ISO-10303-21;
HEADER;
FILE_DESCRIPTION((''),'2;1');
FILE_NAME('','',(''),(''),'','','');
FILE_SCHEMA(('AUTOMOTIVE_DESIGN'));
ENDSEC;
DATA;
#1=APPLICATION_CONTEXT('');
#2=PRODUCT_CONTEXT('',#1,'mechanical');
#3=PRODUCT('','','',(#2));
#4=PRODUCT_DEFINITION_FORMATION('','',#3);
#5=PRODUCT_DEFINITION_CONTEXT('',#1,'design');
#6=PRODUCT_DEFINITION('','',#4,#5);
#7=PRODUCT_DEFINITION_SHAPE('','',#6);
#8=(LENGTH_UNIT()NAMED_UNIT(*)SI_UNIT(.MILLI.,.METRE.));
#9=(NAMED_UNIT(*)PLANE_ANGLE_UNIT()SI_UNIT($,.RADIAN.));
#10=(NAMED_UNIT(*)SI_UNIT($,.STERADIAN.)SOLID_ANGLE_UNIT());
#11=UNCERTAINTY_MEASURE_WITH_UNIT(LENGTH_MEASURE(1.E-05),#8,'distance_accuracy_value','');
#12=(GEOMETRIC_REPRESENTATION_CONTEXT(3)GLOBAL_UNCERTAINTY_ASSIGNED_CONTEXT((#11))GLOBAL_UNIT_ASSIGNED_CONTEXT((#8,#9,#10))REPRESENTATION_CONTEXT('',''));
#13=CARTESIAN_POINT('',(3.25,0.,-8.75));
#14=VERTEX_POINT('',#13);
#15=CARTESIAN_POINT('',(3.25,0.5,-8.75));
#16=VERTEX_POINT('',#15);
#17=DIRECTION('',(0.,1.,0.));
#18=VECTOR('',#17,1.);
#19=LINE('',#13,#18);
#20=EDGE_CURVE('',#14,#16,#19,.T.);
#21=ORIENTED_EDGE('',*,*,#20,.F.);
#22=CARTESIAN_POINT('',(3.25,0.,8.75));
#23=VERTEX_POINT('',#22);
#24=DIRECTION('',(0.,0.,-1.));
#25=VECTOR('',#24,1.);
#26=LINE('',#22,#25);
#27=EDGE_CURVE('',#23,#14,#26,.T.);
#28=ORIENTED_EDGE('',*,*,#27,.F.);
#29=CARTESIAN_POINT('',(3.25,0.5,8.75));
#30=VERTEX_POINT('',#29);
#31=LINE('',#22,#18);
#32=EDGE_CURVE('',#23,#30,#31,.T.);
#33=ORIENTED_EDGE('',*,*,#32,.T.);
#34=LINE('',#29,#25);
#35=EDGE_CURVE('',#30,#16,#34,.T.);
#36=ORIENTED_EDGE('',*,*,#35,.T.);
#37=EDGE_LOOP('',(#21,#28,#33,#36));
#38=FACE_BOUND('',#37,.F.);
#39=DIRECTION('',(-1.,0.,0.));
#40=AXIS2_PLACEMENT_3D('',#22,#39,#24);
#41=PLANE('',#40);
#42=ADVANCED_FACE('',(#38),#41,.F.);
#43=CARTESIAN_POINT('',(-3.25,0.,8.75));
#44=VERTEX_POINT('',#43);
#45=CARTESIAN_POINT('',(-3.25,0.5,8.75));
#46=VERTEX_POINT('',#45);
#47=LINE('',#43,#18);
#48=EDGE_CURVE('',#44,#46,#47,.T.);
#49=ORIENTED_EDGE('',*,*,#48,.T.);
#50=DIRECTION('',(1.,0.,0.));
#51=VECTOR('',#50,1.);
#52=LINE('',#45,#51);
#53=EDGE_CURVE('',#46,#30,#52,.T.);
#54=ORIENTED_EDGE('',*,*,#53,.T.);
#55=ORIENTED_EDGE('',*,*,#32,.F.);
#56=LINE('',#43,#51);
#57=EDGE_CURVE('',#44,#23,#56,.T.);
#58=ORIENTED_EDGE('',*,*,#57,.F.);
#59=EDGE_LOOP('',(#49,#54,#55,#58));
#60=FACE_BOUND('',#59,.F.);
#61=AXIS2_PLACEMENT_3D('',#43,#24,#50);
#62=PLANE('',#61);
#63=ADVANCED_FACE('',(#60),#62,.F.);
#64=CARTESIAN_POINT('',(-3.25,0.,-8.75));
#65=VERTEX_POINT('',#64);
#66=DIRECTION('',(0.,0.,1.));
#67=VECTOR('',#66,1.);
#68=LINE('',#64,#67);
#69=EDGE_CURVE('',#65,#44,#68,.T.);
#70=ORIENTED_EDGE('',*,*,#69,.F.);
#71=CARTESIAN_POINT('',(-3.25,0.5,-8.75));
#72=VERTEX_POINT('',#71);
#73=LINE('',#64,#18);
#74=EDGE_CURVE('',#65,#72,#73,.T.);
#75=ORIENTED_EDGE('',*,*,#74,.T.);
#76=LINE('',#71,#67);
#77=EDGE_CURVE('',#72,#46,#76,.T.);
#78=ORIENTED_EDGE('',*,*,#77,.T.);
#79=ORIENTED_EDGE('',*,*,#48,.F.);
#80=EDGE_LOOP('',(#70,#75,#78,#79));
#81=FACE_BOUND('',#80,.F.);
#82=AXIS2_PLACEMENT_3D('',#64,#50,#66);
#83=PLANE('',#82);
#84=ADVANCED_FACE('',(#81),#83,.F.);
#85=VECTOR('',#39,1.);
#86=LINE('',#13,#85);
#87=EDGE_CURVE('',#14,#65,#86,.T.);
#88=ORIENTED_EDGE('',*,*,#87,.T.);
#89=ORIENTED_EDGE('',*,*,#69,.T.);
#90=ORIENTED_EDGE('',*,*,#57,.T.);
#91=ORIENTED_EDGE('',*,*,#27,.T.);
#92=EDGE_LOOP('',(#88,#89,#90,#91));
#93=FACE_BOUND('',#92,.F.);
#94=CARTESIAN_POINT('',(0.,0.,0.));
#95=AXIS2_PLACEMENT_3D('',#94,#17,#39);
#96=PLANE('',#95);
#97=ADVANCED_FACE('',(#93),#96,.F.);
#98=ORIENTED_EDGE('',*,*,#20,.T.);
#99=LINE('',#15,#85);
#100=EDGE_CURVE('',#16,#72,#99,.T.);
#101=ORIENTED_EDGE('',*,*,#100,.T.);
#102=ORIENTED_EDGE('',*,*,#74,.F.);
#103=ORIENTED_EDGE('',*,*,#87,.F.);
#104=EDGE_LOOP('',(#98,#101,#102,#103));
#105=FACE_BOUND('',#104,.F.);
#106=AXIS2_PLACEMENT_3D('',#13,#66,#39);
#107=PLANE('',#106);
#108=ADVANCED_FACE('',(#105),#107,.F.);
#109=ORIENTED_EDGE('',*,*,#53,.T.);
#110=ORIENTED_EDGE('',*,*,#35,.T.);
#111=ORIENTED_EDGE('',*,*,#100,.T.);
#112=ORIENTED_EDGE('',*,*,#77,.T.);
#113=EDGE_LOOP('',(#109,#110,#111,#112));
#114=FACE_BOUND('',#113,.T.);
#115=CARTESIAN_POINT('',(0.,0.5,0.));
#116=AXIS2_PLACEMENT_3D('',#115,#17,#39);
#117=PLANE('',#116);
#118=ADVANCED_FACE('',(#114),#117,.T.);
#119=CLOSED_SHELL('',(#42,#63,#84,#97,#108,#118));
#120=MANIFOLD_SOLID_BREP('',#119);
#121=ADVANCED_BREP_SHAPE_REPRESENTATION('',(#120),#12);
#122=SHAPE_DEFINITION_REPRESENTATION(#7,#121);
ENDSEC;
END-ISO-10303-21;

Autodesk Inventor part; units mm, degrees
ref_plane "YZ Plane" through (0, 0, 0) normal (1, 0, 0) x (0, 1, 0)
ref_plane "XZ Plane" through (0, 0, 0) normal (0, 1, 0) x (-1, 0, 0)
ref_plane "XY Plane" through (0, 0, 0) normal (0, 0, 1) x (1, 0, 0)
sketch "Sketch1" plane through (0, 0, 0) normal (0, 1, 0) x (-1, 0, 0)
  line L0 (3.25, 8.75) -> (-3.25, 8.75)
  line L1 (-3.25, 8.75) -> (-3.25, -8.75)
  line L2 (-3.25, -8.75) -> (3.25, -8.75)
  line L3 (3.25, -8.75) -> (3.25, 8.75)
  point P0 (0, 0)
  dimension "d0" = 6.5
  dimension "d1" = 17.5
  dimension "d2" = 3.25
  dimension "d3" = 8.75
extrude "Extrusion1" add sketch "Sketch1" along normal blind 0.5
equation "\"d2\" = 0.5 * d0"
equation "\"d3\" = 0.5 * d1"
properties part number "PCB" material "Polyethylene, High Density"
